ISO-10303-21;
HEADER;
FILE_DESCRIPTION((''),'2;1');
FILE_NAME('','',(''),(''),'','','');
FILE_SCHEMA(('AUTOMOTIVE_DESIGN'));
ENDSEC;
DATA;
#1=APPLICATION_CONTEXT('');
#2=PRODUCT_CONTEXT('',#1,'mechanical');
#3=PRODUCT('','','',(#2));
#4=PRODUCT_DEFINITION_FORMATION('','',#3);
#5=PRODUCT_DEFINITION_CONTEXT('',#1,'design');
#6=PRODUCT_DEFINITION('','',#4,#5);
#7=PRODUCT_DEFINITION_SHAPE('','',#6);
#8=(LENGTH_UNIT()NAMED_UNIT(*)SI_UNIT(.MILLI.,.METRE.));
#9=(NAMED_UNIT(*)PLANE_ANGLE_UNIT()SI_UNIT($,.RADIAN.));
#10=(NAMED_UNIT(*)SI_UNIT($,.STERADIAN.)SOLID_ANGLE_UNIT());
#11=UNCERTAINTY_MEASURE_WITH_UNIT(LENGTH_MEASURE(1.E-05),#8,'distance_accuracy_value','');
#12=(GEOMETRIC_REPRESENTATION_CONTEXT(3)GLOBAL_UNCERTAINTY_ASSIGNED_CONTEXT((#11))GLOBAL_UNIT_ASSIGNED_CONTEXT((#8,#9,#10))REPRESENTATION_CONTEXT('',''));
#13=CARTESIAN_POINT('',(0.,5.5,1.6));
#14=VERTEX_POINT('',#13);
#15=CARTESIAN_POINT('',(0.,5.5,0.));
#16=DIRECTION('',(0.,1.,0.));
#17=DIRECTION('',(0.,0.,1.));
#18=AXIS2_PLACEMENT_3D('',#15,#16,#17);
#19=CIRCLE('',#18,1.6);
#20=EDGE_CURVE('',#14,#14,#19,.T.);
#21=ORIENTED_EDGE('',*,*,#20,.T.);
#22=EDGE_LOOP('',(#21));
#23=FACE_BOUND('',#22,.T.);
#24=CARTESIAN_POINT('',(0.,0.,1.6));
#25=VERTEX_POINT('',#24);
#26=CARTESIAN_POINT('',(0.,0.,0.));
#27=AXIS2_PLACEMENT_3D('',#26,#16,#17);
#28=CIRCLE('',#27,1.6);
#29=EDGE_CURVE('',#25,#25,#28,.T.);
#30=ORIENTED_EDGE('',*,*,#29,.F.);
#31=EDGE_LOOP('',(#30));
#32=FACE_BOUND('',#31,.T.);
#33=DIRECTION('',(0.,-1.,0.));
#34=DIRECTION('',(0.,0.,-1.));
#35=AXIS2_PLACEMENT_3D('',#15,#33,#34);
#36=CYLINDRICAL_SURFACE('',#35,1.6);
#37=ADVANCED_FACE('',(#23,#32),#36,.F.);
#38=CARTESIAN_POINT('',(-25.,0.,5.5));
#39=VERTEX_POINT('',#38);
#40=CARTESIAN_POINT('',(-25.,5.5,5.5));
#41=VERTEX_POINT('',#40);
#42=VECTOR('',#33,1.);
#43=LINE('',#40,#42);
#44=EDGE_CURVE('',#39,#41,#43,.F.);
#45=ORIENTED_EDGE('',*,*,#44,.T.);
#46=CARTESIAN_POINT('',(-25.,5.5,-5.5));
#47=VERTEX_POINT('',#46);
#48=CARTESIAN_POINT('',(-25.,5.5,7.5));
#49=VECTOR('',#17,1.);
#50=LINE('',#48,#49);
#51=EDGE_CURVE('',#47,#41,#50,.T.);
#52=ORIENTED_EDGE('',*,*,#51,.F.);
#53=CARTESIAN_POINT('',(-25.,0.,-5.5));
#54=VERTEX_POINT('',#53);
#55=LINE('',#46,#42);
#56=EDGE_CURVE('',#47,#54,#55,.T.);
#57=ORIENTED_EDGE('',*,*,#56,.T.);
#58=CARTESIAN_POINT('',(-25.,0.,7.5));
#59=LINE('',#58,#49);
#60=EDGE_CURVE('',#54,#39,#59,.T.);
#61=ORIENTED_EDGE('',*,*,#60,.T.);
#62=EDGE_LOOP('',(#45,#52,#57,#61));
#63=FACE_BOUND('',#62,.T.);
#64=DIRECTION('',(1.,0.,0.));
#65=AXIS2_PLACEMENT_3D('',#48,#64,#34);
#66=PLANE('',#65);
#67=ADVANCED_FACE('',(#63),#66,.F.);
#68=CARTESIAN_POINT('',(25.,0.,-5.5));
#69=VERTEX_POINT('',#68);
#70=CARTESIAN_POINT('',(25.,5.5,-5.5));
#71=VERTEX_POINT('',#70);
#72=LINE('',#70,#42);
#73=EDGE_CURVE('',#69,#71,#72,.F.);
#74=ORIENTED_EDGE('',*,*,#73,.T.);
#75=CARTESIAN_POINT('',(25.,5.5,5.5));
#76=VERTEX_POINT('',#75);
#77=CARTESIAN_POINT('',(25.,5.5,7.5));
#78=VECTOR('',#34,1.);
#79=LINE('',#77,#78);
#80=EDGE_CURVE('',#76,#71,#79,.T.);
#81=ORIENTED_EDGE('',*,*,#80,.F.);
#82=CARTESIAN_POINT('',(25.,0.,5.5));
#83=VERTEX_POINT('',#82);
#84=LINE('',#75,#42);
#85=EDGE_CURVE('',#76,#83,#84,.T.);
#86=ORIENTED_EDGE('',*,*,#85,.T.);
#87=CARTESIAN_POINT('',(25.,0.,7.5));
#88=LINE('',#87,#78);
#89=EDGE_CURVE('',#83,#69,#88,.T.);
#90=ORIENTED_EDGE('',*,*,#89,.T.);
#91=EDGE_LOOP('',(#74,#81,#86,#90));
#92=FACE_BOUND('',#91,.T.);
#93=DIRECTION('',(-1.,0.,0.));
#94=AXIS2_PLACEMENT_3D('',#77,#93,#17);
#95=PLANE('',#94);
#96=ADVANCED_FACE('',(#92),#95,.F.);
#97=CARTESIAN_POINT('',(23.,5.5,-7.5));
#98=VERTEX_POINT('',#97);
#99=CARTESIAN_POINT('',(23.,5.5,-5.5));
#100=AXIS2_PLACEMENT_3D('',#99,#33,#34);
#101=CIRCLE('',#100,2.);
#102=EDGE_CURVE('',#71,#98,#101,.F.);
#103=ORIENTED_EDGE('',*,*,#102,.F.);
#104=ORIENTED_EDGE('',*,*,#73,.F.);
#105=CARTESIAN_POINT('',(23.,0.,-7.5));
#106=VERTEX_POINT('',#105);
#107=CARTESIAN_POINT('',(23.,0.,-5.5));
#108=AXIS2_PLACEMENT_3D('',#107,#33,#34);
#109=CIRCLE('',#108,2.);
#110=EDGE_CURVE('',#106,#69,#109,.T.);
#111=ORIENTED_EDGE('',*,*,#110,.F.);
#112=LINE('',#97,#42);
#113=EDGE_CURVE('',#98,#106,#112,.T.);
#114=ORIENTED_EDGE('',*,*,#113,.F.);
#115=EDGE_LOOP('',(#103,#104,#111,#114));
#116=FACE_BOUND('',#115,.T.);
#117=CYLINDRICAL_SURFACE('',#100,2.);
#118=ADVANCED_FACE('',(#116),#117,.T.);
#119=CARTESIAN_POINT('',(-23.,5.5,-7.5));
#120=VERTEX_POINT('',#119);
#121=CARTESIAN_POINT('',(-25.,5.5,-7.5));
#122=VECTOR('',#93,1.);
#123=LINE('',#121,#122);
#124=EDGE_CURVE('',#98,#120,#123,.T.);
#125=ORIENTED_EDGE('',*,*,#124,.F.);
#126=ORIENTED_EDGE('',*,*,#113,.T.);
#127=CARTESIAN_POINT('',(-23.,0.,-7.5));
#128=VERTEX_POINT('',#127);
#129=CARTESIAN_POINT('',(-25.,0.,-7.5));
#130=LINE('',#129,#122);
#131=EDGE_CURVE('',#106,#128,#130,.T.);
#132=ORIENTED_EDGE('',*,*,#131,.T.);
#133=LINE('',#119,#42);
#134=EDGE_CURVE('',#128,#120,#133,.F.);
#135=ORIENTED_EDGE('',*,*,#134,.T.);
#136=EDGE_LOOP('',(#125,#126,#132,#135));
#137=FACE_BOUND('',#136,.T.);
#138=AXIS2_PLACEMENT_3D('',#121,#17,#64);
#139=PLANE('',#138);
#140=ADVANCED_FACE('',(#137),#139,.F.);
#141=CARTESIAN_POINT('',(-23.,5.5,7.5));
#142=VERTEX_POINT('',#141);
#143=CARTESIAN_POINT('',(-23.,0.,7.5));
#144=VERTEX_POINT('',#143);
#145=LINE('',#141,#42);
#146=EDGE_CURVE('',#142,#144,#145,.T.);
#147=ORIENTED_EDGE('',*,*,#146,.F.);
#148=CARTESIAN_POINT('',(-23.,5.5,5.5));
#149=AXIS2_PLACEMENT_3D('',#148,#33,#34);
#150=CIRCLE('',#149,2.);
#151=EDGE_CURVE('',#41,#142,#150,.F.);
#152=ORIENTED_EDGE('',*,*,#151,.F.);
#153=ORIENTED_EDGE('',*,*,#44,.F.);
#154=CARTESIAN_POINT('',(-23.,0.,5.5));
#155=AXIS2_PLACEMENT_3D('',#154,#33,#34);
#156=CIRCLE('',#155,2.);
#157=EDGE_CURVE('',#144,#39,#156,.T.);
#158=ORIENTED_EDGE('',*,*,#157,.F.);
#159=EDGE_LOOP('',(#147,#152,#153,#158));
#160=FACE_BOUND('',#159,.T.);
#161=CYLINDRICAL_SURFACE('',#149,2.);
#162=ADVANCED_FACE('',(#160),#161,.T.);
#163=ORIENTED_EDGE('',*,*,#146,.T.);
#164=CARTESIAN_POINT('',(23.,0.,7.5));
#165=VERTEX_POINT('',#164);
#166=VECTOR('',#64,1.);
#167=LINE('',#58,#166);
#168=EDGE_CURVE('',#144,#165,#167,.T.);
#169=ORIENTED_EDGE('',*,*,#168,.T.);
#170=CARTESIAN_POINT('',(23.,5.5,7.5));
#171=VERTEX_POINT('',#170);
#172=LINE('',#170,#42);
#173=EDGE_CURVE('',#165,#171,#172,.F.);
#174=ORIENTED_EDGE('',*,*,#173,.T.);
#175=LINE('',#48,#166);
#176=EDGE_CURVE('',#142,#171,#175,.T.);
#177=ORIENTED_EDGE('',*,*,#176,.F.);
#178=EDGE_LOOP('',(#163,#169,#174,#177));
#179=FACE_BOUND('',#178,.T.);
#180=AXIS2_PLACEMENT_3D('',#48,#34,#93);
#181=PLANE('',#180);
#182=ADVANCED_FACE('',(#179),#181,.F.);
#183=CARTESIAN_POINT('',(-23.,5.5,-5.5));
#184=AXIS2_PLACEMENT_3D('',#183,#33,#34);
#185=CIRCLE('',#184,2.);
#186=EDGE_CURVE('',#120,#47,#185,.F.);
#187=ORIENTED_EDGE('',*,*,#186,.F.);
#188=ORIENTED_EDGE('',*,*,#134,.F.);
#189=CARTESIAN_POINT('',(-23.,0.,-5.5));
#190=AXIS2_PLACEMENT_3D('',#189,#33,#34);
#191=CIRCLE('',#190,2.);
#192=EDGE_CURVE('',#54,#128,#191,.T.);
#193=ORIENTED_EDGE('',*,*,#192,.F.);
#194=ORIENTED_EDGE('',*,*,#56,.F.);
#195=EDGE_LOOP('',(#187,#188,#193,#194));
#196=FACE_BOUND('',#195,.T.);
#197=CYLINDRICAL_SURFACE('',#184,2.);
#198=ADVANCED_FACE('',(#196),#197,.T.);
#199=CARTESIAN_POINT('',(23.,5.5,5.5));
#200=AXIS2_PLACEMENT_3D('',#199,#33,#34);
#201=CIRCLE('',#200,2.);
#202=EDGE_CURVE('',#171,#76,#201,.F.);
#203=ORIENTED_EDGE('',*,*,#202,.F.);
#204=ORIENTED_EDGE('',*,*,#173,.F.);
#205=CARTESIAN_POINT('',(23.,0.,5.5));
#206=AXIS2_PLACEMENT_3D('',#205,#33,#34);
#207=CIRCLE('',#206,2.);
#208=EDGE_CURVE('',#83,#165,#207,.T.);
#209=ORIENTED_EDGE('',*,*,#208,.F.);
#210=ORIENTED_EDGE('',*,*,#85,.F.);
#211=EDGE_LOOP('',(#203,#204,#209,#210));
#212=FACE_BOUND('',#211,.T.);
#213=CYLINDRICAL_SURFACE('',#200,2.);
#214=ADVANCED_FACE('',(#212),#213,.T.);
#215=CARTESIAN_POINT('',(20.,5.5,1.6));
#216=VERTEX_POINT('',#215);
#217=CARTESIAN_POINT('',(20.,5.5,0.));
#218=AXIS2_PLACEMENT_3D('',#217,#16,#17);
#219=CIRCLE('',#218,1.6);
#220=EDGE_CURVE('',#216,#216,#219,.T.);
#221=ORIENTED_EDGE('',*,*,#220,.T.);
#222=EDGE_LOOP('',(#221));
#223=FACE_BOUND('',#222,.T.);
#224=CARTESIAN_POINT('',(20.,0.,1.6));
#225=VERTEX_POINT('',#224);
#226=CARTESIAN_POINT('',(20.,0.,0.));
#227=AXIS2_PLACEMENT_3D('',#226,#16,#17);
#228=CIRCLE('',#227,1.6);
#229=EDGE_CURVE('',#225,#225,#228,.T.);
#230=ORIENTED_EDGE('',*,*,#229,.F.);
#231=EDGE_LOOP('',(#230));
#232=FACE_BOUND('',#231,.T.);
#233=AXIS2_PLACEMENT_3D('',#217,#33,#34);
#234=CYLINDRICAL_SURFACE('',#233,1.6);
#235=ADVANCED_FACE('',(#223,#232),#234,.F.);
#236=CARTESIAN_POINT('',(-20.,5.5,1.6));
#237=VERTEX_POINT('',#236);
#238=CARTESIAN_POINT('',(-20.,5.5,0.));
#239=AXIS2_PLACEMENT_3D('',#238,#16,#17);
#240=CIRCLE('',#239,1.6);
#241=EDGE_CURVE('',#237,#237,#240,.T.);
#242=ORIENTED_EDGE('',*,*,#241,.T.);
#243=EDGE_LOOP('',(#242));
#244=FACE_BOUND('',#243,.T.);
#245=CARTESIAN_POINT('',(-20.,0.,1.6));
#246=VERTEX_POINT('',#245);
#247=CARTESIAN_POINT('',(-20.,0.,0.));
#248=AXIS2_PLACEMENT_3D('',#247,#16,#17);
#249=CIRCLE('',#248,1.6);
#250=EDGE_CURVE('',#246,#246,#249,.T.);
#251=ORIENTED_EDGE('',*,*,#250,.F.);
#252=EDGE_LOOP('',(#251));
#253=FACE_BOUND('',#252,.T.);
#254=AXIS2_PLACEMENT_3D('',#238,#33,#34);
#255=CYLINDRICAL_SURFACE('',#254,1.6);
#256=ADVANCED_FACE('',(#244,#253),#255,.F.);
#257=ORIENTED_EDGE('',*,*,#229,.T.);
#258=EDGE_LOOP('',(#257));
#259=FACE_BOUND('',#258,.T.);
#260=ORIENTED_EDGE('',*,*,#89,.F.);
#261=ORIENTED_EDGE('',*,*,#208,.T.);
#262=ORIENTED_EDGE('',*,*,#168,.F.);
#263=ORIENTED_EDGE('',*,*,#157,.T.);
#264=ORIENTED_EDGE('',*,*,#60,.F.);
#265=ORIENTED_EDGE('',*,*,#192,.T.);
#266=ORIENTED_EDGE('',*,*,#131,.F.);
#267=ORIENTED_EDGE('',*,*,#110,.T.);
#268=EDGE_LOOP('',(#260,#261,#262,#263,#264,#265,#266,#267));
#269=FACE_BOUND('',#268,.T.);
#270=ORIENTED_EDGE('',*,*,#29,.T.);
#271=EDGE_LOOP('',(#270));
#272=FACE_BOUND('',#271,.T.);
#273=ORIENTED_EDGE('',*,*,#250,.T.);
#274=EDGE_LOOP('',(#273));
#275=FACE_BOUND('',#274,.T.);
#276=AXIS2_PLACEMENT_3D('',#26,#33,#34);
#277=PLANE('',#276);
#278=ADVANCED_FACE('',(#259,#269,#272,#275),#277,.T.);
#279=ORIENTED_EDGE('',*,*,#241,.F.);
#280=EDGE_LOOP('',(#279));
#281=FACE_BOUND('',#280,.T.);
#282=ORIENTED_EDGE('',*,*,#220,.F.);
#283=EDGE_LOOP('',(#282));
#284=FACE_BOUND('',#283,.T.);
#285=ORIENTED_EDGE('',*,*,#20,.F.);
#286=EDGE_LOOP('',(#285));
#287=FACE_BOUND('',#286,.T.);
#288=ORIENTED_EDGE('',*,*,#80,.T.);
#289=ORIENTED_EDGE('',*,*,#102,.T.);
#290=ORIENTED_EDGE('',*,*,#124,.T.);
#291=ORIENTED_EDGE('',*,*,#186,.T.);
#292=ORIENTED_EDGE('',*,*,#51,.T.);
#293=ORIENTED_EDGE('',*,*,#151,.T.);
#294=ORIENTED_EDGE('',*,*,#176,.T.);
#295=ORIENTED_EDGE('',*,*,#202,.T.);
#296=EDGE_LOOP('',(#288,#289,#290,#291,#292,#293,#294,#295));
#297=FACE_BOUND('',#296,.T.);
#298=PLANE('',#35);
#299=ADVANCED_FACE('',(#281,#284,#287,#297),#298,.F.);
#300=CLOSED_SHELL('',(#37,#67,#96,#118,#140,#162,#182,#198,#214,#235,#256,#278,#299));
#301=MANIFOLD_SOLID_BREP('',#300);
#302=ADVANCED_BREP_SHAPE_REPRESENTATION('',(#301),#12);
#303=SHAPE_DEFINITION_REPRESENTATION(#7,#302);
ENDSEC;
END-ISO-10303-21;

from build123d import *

# Parameters (mm, degrees)
SKETCH_1_W      = 50
SKETCH_1_H      = 15
SKETCH_1_R      = 1.6
EXTRUDE_1_DEPTH = 5.5
FILLET_1_R      = 2


with BuildPart() as part:
    # 草图1 → 凸台-拉伸1 (new body)
    with BuildSketch(Plane(origin=(0, 0, 0), x_dir=(1, 0, 0), z_dir=(0, 1, 0))):
        Rectangle(SKETCH_1_W, SKETCH_1_H)
        with Locations(Location((-20, 0, 0), (0, 0, 270))):
            Circle(SKETCH_1_R, mode=Mode.SUBTRACT)
        with Locations(Location((0, 0, 0), (0, 0, 270))):
            Circle(SKETCH_1_R, mode=Mode.SUBTRACT)
        with Locations(Location((20, 0, 0), (0, 0, 270))):
            Circle(SKETCH_1_R, mode=Mode.SUBTRACT)
    extrude(amount=EXTRUDE_1_DEPTH)

    # 圆角1
    fillet_1_edges = [part.edges().sort_by_distance(p)[0] for p in [
        (25, 2.75, 7.5),
        (-25, 2.75, 7.5),
        (-25, 2.75, -7.5),
        (25, 2.75, -7.5),
    ]]
    fillet(fillet_1_edges, radius=FILLET_1_R)


solid = part.part
